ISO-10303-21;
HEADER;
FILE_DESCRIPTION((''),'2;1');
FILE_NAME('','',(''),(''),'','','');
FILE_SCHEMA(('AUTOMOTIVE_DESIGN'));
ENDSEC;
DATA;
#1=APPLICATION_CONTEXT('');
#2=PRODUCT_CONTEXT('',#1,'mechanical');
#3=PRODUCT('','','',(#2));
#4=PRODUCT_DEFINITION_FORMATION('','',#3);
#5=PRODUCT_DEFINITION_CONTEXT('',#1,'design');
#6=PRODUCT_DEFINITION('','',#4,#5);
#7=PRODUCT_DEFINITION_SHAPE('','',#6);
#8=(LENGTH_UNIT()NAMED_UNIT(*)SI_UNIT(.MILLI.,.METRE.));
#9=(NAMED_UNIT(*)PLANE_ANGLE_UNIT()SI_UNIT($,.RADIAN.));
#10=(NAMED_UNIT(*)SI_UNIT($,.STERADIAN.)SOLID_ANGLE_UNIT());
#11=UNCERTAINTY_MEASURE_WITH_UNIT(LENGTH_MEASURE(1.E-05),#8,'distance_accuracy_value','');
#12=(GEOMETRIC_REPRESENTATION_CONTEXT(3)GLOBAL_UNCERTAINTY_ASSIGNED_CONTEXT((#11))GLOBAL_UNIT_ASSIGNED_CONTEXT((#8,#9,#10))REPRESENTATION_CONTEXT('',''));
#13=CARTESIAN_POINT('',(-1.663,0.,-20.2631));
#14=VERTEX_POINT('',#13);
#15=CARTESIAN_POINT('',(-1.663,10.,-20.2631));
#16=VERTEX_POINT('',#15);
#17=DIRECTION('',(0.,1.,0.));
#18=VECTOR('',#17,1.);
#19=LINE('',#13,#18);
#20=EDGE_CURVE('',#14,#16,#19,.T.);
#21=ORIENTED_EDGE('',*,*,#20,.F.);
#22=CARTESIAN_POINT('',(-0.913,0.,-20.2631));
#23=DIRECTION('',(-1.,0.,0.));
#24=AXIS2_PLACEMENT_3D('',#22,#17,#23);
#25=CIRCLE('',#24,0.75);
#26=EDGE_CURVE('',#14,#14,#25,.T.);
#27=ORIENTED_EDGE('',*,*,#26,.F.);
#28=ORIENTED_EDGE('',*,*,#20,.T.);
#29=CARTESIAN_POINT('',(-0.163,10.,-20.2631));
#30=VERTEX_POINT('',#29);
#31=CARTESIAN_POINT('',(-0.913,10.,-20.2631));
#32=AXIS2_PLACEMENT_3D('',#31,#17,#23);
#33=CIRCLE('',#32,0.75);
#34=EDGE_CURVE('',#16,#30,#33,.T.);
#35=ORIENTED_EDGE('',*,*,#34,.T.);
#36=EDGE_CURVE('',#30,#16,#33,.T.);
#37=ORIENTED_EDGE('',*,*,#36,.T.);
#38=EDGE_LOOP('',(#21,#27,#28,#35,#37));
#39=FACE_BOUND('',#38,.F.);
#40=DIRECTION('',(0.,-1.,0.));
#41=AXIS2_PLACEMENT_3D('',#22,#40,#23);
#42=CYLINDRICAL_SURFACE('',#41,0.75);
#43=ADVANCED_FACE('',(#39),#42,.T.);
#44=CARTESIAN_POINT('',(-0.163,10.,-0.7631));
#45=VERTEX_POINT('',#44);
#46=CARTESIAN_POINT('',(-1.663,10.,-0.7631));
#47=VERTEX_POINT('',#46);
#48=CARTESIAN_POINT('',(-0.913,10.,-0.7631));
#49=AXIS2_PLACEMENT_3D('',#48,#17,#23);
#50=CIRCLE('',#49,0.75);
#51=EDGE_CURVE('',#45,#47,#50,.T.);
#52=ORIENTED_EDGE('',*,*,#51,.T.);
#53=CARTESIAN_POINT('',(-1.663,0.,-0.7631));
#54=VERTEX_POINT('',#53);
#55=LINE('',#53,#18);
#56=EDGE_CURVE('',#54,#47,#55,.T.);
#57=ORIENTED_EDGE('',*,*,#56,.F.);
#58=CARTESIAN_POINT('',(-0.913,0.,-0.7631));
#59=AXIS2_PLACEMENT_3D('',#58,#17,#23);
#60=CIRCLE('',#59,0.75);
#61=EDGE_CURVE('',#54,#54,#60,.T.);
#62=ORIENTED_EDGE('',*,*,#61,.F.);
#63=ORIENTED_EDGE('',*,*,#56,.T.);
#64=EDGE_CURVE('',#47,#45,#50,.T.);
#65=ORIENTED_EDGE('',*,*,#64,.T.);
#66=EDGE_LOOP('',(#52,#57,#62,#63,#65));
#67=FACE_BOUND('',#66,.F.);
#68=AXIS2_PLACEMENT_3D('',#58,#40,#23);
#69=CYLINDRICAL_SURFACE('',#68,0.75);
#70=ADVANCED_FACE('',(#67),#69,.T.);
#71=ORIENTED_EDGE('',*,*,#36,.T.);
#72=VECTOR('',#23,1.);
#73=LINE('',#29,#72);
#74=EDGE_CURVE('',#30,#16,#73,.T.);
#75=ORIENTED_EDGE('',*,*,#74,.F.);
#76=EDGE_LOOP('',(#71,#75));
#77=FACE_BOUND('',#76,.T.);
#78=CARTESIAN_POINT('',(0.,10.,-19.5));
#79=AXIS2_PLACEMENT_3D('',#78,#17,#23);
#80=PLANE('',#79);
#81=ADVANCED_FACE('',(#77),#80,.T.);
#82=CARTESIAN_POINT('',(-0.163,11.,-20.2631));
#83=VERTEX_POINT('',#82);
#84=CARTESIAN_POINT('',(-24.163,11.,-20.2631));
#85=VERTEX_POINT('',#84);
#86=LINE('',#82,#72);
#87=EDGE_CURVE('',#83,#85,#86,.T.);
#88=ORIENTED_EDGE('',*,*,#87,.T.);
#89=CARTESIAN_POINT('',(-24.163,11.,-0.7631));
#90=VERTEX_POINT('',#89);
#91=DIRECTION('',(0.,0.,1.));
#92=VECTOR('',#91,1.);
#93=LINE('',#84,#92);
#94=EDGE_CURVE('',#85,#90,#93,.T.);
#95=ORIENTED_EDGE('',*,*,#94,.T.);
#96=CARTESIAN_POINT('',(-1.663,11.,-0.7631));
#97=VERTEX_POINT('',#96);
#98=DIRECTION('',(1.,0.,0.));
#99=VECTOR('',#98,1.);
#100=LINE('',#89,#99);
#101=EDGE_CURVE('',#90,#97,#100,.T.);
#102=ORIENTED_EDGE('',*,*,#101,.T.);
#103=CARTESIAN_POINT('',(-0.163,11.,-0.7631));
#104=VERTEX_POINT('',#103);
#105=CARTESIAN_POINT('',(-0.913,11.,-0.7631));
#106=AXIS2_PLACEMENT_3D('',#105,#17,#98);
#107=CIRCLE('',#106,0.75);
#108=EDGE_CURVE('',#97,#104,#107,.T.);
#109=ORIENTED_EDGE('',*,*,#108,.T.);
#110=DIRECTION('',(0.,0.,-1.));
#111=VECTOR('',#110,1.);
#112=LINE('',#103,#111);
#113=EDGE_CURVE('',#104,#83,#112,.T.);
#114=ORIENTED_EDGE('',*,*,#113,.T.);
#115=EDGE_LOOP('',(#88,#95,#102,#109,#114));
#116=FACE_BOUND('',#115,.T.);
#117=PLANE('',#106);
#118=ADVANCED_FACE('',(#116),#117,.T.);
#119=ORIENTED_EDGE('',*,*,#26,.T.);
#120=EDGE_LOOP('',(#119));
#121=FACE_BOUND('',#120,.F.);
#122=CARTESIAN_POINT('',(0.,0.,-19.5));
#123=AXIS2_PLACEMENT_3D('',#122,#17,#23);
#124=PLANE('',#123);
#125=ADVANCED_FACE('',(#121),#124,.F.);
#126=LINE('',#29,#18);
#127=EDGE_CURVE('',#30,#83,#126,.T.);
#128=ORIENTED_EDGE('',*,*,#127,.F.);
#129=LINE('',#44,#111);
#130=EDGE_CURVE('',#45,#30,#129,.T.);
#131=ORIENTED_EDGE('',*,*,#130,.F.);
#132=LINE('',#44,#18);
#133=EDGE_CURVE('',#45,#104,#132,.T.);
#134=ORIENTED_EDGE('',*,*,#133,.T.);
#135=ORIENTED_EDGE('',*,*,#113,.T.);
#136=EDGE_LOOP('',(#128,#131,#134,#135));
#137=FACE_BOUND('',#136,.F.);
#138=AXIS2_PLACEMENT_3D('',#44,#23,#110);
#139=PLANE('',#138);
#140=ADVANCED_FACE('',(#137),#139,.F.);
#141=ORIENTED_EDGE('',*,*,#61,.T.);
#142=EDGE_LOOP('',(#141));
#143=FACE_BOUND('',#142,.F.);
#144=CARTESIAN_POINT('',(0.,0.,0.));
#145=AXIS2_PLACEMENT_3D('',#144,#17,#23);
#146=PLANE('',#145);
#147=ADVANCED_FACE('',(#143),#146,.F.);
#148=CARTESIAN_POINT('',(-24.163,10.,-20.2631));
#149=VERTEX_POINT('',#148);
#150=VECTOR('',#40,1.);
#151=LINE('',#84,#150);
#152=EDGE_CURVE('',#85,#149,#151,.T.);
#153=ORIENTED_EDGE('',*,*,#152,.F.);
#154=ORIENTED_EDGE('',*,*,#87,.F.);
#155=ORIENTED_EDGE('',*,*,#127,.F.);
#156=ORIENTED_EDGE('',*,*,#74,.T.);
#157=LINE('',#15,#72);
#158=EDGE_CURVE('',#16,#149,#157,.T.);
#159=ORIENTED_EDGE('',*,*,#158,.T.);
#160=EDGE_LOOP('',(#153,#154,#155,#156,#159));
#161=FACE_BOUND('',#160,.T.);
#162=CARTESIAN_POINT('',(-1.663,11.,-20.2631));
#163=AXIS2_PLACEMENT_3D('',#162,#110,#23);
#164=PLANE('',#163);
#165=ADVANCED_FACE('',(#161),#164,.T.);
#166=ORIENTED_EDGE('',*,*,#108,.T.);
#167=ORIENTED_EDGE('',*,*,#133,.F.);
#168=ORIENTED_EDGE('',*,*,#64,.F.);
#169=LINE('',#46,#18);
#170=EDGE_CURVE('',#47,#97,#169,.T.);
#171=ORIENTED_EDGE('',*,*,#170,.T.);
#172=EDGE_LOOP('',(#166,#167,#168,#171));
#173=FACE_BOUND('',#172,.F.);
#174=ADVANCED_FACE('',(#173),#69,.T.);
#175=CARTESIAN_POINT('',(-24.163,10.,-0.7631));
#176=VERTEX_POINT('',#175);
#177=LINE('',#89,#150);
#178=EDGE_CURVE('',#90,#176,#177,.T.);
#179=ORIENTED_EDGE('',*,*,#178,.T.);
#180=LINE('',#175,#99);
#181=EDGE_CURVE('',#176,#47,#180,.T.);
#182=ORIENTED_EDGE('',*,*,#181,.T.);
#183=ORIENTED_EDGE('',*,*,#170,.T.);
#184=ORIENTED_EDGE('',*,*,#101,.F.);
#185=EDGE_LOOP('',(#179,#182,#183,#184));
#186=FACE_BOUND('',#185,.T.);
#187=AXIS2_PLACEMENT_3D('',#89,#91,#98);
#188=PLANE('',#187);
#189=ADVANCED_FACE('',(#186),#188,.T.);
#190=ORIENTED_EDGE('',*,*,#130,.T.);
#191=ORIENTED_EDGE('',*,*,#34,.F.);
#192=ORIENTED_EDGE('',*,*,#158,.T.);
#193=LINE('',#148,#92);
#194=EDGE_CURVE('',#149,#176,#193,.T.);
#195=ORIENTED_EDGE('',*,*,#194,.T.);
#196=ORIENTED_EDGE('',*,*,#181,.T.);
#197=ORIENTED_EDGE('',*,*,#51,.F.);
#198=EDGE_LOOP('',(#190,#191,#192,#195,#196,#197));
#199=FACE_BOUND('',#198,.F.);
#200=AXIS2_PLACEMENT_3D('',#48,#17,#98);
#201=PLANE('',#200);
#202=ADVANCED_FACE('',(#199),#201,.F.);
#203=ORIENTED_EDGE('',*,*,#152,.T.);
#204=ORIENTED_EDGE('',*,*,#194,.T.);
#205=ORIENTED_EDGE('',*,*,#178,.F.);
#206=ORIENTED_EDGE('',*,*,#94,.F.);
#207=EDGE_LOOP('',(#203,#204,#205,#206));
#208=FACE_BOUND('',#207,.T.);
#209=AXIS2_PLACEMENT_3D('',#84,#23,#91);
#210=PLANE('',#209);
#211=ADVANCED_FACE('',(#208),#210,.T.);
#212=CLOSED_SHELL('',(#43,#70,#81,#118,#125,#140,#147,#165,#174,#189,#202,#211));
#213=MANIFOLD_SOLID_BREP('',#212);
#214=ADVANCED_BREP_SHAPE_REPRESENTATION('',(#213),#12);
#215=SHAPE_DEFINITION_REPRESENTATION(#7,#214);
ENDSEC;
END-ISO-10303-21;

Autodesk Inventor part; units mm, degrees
ref_plane "YZ Plane" through (0, 0, 0) normal (1, 0, 0) x (0, 1, 0)
ref_plane "XZ Plane" through (0, 0, 0) normal (0, 1, 0) x (-1, 0, 0)
ref_plane "XY Plane" through (0, 0, 0) normal (0, 0, 1) x (1, 0, 0)
sketch "草圖1" plane through (0, 0, 0) normal (0, 1, 0) x (-1, 0, 0)
  circle A0 centre (0.913, -0.7631) radius 0.75
  point P0 (0, 0)
  dimension "d0" = 1.5
extrude "擠出1" add sketch "草圖1" along normal blind 10
sketch "草圖2" plane through (-0.913, 10, -0.7631) normal (0, 1, 0) x (1, 0, 0)
  circle A0 centre (0, 0) radius 0.75 projected
  line L0 (-0.75, 0) -> (0.75, 0)
  line L1 (0.75, 0) -> (0.75, 19.5)
  line L2 (0.75, 19.5) -> (-0.75, 19.5)
  line L3 (-0.75, 19.5) -> (-0.75, 0)
  circle A1 centre (0, 0) radius 0.75 projected
  point P0 (0.913, -0.7631)
  dimension "d3" = 19.5
extrude "擠出2" add sketch "草圖2" along normal blind 1
pattern_linear "矩形陣列1" count 2 spacing 19.5 along (0, 0, -1) of "擠出1"
sketch "草圖3" plane through (-0.913, 11, -0.7631) normal (0, 1, 0) x (1, 0, 0)
  circle A0 centre (0, 19.5) radius 0.75 projected
  line L0 (-0.75, 19.5) -> (-23.25, 19.5)
  line L1 (-23.25, 19.5) -> (-23.25, 0)
  line L2 (-23.25, 0) -> (-0.75, 0)
  line L3 (-0.75, 0) -> (-0.75, 19.5)
  line L4 (0.75, 0) -> (0.75, 19.5) projected
  point P0 (0.913, -0.7631)
  point P1 (-0.75, 0)
  dimension "d9" = 24
extrude "擠出3" add sketch "草圖3" against normal up to surface (1 mm away) contours L3 L2 L1 L0
